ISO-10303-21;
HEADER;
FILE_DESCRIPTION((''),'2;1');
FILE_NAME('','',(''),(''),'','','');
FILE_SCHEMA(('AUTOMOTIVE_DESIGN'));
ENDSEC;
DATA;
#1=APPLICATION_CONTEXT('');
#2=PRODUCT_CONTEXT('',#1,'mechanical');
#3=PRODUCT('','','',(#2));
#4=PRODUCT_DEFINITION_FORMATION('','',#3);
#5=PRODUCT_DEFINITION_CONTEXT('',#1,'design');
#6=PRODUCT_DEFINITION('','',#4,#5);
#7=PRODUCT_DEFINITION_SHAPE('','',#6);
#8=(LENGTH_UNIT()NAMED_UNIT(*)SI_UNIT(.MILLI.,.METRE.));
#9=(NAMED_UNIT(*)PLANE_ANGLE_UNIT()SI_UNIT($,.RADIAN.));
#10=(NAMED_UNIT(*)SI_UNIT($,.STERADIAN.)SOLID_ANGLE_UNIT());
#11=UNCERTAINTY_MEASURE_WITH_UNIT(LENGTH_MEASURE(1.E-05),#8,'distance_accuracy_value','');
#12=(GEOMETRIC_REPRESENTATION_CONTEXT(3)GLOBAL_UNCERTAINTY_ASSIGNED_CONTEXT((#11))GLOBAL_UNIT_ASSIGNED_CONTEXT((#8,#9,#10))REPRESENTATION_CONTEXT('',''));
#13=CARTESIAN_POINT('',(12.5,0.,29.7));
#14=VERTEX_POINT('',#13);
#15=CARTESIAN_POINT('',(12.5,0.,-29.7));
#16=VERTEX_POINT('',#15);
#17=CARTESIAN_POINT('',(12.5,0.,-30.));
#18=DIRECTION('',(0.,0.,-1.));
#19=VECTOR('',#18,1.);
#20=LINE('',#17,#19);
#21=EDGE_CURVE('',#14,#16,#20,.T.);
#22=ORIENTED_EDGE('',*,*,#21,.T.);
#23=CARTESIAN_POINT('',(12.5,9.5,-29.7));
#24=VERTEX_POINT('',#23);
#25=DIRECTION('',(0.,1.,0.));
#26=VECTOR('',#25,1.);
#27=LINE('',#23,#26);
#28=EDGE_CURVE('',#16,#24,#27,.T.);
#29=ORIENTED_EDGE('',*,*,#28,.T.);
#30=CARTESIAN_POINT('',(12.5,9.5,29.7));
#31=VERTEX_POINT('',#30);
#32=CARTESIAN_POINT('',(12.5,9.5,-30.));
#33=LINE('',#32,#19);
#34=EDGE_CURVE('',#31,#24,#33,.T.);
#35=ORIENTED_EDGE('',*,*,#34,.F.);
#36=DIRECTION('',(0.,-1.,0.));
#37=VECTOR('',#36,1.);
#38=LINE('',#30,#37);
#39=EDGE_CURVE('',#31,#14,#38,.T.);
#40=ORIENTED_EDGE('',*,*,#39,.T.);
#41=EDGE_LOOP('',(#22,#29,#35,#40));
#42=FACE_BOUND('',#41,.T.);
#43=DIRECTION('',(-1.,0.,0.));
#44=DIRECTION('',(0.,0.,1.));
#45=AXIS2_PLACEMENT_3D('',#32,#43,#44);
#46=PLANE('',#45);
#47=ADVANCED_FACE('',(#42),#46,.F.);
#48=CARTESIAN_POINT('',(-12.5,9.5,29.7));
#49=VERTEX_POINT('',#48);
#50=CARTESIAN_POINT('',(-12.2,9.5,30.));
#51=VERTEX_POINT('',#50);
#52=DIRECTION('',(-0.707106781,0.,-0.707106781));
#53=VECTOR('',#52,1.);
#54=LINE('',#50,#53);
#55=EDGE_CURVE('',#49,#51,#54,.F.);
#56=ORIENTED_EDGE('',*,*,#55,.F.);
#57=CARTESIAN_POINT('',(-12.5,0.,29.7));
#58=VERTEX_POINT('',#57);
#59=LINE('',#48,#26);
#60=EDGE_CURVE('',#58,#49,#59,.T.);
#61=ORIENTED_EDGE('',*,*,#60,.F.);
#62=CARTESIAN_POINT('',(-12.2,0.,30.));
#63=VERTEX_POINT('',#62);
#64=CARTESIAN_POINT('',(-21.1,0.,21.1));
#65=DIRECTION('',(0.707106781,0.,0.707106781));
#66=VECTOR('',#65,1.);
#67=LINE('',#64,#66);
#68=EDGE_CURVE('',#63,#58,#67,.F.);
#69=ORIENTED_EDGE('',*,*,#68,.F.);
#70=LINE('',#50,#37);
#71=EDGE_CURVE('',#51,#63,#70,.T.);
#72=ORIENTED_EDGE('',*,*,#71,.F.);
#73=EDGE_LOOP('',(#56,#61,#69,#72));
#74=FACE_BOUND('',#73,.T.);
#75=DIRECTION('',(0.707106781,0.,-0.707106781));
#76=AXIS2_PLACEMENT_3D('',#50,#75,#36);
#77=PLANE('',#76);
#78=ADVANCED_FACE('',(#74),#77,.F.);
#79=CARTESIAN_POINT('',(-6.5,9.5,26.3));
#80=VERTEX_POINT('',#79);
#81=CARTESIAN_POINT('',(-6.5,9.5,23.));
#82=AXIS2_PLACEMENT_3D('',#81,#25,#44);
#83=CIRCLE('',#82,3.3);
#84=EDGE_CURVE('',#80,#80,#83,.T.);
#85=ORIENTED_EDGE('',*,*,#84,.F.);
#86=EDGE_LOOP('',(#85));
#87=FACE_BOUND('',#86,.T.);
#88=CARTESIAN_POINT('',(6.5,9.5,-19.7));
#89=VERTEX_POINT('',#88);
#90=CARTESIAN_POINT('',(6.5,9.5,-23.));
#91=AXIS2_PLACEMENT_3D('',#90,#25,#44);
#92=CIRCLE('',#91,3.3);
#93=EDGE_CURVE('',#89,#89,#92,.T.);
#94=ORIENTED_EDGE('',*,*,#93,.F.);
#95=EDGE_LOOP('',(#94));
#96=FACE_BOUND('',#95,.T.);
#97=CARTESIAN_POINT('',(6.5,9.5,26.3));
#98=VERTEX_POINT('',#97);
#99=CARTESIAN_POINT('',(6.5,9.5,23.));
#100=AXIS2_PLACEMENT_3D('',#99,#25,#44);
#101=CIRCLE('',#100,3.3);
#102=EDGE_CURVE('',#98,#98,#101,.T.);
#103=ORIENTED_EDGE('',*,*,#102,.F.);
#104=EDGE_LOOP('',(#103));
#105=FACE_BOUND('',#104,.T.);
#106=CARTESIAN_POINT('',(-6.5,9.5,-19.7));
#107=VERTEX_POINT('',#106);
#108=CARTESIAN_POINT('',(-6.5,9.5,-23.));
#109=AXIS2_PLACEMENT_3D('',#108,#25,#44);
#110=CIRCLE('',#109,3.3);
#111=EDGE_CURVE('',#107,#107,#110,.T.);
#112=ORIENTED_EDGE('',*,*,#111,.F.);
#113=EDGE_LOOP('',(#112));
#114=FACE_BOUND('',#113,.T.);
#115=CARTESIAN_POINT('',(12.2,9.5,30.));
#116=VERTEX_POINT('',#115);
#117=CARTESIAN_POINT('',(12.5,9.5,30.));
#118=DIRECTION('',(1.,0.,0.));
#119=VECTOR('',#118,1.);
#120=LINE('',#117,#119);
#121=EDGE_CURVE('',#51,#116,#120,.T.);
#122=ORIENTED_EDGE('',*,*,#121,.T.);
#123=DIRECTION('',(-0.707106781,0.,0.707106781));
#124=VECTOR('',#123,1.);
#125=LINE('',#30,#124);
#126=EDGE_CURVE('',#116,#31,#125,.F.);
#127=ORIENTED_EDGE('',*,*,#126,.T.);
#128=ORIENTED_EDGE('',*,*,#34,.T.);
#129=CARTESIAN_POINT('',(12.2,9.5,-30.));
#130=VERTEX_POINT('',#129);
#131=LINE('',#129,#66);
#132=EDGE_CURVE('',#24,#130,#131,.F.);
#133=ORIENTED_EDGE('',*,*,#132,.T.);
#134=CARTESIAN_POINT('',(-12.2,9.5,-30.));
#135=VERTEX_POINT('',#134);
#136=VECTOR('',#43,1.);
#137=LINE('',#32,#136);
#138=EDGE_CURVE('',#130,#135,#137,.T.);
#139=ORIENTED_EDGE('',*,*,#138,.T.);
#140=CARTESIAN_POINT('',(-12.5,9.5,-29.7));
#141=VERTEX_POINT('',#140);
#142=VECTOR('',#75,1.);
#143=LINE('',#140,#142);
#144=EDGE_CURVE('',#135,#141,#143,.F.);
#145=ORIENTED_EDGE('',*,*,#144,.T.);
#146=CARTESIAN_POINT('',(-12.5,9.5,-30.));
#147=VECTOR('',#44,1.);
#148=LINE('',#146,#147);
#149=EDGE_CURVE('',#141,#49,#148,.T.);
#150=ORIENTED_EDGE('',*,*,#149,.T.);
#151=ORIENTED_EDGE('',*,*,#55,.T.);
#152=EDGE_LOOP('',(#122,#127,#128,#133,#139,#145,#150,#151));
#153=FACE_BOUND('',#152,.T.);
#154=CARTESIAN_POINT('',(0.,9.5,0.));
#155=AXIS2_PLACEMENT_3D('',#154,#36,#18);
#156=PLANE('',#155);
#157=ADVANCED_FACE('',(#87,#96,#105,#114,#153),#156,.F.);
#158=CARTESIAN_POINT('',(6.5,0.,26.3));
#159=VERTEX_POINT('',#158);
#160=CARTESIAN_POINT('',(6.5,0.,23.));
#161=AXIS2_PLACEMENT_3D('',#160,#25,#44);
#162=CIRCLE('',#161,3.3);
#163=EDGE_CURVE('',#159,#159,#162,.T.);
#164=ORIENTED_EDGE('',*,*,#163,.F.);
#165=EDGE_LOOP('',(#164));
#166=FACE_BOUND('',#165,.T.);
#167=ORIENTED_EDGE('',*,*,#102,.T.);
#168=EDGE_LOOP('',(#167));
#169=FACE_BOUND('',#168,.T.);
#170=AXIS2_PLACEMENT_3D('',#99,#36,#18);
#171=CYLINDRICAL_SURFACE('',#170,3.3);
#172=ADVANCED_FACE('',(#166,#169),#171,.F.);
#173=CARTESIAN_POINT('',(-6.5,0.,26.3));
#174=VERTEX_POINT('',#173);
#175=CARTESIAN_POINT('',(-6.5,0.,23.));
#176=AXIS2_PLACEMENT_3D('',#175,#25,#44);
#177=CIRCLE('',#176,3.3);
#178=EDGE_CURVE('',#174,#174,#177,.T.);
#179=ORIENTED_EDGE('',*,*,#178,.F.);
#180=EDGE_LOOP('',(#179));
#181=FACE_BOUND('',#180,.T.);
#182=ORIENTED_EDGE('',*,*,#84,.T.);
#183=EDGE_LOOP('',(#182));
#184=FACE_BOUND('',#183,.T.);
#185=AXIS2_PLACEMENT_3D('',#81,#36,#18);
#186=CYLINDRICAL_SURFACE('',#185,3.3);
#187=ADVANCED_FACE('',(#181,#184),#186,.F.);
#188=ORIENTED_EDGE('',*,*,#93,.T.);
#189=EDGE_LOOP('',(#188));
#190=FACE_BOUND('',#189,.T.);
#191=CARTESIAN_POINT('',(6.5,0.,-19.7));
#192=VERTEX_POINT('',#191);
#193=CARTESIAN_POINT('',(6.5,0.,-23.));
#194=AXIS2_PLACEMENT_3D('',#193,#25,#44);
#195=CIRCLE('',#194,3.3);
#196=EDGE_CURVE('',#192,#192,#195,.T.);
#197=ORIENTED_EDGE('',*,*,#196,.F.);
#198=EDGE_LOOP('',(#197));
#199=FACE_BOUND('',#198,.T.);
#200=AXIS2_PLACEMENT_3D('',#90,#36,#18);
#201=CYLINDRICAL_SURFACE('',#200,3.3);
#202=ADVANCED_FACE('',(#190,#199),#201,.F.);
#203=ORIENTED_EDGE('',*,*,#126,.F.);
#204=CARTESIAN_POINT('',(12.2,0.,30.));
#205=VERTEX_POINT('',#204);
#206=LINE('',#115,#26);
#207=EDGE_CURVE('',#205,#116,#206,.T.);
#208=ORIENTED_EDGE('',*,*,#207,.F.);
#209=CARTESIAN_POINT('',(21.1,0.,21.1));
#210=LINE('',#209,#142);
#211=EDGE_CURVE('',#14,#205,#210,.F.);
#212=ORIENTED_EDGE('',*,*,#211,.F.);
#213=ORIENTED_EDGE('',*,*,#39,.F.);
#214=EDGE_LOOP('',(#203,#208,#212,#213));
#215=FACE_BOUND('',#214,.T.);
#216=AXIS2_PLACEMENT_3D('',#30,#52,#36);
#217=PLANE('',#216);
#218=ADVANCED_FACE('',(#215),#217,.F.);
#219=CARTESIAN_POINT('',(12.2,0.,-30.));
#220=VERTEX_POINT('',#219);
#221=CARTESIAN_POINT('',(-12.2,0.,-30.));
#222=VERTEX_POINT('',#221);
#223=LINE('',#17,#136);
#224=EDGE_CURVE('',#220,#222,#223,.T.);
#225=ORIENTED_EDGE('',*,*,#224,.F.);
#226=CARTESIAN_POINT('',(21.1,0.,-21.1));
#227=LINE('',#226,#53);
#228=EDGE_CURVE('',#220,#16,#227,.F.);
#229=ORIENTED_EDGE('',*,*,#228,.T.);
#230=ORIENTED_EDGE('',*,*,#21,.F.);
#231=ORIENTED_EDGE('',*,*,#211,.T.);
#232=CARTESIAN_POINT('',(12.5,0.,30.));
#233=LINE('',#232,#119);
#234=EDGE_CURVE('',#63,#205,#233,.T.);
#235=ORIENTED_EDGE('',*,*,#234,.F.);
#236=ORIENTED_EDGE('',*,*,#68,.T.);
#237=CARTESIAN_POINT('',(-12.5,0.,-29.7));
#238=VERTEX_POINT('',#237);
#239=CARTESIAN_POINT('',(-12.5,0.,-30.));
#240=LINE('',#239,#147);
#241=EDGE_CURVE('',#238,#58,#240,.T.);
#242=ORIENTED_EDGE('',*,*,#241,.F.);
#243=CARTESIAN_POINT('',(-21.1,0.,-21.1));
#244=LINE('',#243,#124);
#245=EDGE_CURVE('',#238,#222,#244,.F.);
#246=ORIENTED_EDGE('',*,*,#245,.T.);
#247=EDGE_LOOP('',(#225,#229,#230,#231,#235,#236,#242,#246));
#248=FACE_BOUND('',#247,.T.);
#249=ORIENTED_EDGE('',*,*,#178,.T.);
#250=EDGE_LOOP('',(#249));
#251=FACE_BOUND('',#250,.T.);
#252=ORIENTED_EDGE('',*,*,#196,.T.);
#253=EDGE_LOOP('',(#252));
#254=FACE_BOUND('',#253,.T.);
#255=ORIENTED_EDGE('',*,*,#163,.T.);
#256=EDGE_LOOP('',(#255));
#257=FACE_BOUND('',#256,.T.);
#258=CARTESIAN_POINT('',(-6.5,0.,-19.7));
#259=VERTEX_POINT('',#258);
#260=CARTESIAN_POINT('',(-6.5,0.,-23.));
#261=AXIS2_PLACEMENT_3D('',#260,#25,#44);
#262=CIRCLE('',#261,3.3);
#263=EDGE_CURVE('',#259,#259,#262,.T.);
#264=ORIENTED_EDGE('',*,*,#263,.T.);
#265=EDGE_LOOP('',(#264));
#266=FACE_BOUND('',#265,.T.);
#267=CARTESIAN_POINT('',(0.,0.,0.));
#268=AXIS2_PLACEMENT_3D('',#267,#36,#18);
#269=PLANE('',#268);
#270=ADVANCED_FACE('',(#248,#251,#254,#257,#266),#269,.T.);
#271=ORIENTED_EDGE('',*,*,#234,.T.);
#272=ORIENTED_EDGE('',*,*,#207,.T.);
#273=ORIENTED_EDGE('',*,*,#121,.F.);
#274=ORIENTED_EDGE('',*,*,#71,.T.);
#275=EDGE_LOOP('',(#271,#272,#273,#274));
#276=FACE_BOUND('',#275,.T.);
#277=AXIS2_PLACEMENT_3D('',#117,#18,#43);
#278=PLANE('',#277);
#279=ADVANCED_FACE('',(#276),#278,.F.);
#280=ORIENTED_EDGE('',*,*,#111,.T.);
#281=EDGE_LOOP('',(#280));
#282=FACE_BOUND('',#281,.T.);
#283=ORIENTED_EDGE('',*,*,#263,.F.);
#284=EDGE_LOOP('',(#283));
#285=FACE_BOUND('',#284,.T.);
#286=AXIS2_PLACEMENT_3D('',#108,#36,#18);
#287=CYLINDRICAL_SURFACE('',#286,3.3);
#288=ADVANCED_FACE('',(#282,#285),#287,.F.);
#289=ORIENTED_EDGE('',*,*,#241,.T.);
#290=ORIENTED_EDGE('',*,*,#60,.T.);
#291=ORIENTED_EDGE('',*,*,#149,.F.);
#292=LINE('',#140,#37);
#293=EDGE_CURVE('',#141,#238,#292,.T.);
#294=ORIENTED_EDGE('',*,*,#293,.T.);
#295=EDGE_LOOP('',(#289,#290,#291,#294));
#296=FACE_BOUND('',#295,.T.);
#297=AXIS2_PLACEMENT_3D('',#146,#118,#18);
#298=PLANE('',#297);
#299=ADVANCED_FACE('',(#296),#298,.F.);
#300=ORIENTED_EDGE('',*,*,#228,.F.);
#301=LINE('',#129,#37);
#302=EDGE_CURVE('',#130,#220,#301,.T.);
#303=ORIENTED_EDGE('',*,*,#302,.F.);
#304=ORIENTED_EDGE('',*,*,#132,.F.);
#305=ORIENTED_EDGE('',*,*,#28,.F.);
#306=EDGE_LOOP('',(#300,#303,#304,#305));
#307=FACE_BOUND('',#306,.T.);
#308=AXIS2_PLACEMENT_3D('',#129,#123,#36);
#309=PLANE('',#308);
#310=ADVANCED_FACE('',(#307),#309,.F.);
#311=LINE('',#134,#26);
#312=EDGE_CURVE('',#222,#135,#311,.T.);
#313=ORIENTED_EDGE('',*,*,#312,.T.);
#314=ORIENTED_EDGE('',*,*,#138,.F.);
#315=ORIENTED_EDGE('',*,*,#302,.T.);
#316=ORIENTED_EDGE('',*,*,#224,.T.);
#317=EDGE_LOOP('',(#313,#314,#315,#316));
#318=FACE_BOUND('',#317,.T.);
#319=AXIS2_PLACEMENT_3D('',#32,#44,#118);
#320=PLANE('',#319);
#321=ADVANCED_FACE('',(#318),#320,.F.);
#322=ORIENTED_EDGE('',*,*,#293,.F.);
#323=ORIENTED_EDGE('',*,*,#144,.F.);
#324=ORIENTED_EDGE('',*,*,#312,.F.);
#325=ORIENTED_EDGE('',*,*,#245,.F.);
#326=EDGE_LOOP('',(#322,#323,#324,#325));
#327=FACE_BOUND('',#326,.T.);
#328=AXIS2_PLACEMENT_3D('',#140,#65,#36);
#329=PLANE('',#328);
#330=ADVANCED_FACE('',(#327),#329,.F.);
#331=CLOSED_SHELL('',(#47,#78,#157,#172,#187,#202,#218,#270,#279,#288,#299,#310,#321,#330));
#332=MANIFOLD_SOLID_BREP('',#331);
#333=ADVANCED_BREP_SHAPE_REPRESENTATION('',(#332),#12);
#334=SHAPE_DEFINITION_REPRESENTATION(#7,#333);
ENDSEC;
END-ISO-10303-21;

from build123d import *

# Parameters (mm, degrees)
SKETCH1_W           = 25
SKETCH1_H           = 60
SKETCH1_R           = 3.3
BOSS_EXTRUDE1_DEPTH = 9.5
CHAMFER1_SIZE       = 0.3


with BuildPart() as part:
    # Sketch1 → Boss-Extrude1 (new body)
    with BuildSketch(Plane(origin=(0, 0, 0), x_dir=(1, 0, 0), z_dir=(0, 1, 0))):
        Rectangle(SKETCH1_W, SKETCH1_H)
        with Locations((6.5, 23)):
            Circle(SKETCH1_R, mode=Mode.SUBTRACT)
        with Locations((6.5, -23)):
            Circle(SKETCH1_R, mode=Mode.SUBTRACT)
        with Locations((-6.5, 23)):
            Circle(SKETCH1_R, mode=Mode.SUBTRACT)
        with Locations((-6.5, -23)):
            Circle(SKETCH1_R, mode=Mode.SUBTRACT)
    extrude(amount=BOSS_EXTRUDE1_DEPTH)

    # Chamfer1
    chamfer1_edges = [part.edges().sort_by_distance(p)[0] for p in [
        (-12.5, 4.75, -30),
        (12.5, 4.75, -30),
        (12.5, 4.75, 30),
        (-12.5, 4.75, 30),
    ]]
    chamfer(chamfer1_edges, length=CHAMFER1_SIZE)


solid = part.part
